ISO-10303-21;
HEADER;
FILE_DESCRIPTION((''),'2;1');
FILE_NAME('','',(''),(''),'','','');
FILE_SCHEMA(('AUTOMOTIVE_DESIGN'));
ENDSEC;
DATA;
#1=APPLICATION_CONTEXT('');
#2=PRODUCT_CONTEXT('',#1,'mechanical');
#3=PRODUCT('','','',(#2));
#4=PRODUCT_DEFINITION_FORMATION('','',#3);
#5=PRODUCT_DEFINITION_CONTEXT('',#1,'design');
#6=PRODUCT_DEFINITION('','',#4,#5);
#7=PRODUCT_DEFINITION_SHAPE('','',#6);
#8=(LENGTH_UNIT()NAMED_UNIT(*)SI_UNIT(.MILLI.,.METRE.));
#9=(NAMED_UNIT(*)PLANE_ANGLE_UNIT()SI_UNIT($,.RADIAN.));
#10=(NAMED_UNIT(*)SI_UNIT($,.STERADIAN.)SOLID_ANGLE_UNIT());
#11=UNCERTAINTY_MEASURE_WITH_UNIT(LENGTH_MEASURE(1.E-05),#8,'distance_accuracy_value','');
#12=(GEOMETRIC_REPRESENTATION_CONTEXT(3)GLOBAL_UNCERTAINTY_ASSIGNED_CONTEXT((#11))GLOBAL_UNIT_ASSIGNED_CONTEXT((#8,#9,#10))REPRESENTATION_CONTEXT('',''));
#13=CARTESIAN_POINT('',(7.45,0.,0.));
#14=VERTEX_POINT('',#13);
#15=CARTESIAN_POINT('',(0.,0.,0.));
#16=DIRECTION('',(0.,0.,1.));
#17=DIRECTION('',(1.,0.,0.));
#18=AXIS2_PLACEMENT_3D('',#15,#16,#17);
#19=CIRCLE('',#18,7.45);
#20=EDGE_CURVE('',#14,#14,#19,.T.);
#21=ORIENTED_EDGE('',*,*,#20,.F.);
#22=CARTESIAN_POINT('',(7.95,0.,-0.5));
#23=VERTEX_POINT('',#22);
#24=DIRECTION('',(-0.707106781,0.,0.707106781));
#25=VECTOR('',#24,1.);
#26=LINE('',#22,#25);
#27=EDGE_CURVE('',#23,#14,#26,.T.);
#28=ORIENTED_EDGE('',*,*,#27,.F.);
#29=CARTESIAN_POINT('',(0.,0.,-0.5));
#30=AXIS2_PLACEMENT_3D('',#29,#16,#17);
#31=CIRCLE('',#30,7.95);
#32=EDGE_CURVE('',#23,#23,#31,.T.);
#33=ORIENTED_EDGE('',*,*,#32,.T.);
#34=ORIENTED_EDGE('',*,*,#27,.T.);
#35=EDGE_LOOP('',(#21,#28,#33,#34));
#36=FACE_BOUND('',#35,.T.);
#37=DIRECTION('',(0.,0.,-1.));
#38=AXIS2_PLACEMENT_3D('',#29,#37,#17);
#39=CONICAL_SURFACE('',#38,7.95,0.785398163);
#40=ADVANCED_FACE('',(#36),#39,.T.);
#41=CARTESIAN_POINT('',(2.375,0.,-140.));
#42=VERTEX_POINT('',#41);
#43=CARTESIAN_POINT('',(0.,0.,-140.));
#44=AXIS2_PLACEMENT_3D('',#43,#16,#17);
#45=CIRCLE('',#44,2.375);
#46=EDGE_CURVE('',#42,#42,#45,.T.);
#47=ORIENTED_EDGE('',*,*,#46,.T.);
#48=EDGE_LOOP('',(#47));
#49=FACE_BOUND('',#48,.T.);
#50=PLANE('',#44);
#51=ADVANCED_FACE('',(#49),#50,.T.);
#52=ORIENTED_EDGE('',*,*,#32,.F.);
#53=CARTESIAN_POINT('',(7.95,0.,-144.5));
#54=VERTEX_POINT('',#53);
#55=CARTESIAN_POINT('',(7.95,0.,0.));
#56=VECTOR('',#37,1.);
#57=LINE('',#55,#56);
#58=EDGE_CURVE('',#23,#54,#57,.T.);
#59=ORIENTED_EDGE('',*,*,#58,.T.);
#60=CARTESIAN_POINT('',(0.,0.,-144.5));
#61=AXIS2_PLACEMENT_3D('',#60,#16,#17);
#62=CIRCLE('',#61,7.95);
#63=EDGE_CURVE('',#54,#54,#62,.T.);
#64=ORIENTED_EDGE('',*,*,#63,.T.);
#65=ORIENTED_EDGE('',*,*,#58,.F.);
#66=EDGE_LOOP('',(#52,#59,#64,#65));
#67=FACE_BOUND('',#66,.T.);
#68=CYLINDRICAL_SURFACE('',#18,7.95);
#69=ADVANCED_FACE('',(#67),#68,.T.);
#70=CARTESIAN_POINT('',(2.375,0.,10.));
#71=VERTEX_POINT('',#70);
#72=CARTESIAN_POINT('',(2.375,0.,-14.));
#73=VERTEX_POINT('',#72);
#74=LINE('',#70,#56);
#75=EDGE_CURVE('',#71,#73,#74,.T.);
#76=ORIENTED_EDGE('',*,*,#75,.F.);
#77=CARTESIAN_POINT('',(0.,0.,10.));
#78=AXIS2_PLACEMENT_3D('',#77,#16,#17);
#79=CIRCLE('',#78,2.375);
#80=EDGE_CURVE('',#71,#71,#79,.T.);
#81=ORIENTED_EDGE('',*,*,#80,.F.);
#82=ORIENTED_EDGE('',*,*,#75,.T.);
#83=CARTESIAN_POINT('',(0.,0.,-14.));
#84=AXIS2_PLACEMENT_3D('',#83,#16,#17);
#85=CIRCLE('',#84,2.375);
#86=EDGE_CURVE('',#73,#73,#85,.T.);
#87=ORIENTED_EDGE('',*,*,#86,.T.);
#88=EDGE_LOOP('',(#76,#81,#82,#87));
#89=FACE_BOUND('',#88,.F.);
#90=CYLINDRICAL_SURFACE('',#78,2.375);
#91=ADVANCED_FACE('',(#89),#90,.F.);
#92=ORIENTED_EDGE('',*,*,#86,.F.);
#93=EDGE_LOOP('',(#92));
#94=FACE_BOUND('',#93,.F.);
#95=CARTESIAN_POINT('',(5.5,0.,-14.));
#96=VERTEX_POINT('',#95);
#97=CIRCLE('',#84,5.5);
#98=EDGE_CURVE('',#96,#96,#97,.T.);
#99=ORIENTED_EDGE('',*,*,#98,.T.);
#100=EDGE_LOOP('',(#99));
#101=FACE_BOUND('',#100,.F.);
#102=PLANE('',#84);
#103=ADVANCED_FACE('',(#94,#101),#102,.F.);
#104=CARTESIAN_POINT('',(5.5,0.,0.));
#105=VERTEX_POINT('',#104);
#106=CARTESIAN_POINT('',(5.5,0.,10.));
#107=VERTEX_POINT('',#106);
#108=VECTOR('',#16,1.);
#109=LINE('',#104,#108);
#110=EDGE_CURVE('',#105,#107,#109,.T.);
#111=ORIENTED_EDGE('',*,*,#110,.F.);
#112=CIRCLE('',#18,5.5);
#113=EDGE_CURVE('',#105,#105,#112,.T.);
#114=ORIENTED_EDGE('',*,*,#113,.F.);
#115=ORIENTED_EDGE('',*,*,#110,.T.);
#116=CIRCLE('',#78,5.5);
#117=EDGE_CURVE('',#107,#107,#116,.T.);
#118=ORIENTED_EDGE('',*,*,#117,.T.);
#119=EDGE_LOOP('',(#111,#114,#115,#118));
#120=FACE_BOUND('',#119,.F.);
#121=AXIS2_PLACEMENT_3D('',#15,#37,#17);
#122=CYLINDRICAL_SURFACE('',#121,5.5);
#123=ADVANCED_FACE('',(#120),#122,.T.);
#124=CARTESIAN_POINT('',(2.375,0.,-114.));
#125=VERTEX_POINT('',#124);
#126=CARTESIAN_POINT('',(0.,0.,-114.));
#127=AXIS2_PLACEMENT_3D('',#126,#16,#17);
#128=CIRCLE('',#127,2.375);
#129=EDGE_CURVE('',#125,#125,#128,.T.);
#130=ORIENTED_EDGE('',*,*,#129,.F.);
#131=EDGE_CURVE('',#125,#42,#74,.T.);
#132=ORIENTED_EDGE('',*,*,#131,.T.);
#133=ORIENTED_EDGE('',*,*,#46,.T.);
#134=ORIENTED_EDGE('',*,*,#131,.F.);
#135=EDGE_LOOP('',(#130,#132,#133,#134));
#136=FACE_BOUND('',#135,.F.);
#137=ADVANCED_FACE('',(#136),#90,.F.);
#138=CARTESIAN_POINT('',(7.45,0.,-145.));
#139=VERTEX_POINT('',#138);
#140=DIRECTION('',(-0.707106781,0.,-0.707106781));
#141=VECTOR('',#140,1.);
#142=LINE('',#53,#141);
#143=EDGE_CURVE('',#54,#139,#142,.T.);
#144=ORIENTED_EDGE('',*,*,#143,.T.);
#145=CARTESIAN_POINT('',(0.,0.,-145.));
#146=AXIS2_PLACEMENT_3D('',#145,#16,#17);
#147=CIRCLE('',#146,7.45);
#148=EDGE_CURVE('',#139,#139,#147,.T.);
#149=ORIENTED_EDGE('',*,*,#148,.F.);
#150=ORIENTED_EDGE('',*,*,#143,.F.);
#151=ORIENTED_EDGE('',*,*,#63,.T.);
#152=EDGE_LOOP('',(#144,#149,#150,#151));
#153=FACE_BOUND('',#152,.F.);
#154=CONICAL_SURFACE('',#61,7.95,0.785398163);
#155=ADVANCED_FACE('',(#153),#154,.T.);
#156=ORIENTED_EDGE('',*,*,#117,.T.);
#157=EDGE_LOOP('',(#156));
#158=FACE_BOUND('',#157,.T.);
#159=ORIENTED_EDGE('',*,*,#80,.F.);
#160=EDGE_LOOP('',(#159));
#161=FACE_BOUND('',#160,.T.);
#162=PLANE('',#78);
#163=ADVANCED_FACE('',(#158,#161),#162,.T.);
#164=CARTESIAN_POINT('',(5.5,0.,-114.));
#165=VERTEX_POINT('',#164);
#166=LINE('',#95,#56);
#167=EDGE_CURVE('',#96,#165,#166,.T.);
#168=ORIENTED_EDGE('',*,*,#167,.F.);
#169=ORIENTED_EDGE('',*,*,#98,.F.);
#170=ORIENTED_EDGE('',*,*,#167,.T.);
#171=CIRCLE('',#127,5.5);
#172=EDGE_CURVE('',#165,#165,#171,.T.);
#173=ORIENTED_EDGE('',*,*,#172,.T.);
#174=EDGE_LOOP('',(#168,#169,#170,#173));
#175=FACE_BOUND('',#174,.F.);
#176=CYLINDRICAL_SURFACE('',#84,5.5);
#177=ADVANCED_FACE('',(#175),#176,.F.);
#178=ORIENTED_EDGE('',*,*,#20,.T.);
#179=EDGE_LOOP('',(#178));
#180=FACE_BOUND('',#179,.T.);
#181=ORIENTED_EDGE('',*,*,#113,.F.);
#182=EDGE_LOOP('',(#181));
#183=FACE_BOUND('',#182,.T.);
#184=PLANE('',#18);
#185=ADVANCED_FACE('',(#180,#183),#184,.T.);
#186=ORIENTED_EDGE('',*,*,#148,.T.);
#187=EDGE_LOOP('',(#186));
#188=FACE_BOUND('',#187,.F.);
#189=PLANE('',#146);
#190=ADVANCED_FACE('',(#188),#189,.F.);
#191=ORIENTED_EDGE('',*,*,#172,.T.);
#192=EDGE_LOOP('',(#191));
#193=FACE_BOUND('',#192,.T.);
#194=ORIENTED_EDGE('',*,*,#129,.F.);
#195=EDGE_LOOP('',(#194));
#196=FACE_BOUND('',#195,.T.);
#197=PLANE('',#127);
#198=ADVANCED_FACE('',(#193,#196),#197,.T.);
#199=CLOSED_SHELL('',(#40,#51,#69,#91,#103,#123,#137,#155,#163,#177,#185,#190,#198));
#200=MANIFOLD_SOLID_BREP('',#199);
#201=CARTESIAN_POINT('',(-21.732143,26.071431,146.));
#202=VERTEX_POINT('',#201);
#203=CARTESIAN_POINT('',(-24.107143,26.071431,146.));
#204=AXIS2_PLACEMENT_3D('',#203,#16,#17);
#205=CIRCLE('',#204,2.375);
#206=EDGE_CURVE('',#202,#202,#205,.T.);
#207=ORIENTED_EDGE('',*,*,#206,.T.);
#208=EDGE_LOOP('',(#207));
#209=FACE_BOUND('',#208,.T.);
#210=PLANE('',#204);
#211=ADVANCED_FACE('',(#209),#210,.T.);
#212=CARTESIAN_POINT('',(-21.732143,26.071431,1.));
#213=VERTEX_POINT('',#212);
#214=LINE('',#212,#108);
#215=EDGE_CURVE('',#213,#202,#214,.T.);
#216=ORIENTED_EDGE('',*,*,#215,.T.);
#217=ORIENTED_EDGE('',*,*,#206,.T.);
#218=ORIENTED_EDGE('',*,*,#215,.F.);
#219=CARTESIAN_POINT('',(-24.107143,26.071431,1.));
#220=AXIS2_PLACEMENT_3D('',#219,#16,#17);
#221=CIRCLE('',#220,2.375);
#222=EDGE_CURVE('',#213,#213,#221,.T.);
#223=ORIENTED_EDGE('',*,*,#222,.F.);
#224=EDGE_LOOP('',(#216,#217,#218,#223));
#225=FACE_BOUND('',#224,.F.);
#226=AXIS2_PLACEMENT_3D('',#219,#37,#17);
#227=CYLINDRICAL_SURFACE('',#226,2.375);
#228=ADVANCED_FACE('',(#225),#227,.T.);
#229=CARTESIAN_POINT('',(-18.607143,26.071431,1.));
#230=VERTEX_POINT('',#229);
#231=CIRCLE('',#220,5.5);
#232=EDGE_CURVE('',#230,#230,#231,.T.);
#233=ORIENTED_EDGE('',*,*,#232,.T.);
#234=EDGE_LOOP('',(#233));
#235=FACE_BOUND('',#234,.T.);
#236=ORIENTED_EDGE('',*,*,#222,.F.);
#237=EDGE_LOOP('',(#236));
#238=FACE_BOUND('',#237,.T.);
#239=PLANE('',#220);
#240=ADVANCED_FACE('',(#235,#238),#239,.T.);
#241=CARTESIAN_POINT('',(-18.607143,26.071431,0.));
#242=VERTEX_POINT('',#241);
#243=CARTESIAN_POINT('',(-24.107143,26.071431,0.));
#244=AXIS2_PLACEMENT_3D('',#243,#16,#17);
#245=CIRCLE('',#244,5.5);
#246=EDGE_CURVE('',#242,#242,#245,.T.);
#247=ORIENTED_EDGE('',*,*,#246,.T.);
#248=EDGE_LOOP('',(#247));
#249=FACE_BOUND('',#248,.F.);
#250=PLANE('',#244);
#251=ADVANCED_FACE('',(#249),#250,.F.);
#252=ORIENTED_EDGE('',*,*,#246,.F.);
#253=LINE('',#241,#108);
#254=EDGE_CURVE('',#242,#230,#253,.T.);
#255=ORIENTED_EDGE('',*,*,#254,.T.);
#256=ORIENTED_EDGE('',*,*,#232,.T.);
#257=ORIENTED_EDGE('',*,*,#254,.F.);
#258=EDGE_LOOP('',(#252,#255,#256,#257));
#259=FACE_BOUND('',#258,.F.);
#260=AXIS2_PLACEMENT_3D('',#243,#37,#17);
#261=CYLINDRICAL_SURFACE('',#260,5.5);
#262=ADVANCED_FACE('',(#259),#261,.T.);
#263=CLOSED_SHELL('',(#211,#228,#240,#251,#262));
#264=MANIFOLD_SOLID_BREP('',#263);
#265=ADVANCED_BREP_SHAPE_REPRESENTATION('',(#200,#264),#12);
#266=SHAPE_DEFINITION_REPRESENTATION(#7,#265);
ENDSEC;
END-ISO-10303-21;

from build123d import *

# Parameters (mm, degrees)
F0_R        = 7.95
F1_DEPTH    = 145
F2_R        = 5.5
F3_DEPTH    = 10
F4_SIZE     = 0.5
F5_R        = 2.375
F6_DEPTH    = 150
F7_START    = -24
F3_FACE_R   = 5.5
F3_FACE_R_2 = 2.375
F7_DEPTH    = 100
F8_R        = 5.5
F9_DEPTH    = 1
F10_R       = 2.375
F11_DEPTH   = 145


with BuildPart() as f1:
    # F0 (on Top) → F1 (new body)
    with BuildSketch(Plane.XY):
        Circle(F0_R)
    extrude(amount=-F1_DEPTH)

    # F2 (on face) → F3 (join)
    with BuildSketch(Plane.XY):
        Circle(F2_R)
    extrude(amount=F3_DEPTH)

    # F4
    f4_edges = [f1.edges().sort_by_distance(p)[0] for p in [
        (-7.95, 0, 0),
        (-7.95, 0, -145),
    ]]
    chamfer(f4_edges, length=F4_SIZE)

    # F5 (on face) → F6 (cut)
    with BuildSketch(Plane.XY.offset(10)):
        Circle(F5_R)
    extrude(amount=-F6_DEPTH, mode=Mode.SUBTRACT)

    # F3_face (on face) → F7 (cut)
    with BuildSketch(Plane.XY.offset(10).offset(F7_START)):
        Circle(F3_FACE_R)
        Circle(F3_FACE_R_2, mode=Mode.SUBTRACT)
    extrude(amount=-F7_DEPTH, mode=Mode.SUBTRACT)


with BuildPart() as f9:
    # F8 (on Top) → F9 (new body)
    with BuildSketch(Plane.XY):
        with Locations((-24.1071432829, 26.0714311153)):
            Circle(F8_R)
    extrude(amount=F9_DEPTH)

    # F10 (on face) → F11 (join)
    with BuildSketch(Plane.XY.offset(1)):
        with Locations((-24.1071432829, 26.0714311153)):
            Circle(F10_R)
    extrude(amount=F11_DEPTH)


solid = Compound([f1.part, f9.part])
